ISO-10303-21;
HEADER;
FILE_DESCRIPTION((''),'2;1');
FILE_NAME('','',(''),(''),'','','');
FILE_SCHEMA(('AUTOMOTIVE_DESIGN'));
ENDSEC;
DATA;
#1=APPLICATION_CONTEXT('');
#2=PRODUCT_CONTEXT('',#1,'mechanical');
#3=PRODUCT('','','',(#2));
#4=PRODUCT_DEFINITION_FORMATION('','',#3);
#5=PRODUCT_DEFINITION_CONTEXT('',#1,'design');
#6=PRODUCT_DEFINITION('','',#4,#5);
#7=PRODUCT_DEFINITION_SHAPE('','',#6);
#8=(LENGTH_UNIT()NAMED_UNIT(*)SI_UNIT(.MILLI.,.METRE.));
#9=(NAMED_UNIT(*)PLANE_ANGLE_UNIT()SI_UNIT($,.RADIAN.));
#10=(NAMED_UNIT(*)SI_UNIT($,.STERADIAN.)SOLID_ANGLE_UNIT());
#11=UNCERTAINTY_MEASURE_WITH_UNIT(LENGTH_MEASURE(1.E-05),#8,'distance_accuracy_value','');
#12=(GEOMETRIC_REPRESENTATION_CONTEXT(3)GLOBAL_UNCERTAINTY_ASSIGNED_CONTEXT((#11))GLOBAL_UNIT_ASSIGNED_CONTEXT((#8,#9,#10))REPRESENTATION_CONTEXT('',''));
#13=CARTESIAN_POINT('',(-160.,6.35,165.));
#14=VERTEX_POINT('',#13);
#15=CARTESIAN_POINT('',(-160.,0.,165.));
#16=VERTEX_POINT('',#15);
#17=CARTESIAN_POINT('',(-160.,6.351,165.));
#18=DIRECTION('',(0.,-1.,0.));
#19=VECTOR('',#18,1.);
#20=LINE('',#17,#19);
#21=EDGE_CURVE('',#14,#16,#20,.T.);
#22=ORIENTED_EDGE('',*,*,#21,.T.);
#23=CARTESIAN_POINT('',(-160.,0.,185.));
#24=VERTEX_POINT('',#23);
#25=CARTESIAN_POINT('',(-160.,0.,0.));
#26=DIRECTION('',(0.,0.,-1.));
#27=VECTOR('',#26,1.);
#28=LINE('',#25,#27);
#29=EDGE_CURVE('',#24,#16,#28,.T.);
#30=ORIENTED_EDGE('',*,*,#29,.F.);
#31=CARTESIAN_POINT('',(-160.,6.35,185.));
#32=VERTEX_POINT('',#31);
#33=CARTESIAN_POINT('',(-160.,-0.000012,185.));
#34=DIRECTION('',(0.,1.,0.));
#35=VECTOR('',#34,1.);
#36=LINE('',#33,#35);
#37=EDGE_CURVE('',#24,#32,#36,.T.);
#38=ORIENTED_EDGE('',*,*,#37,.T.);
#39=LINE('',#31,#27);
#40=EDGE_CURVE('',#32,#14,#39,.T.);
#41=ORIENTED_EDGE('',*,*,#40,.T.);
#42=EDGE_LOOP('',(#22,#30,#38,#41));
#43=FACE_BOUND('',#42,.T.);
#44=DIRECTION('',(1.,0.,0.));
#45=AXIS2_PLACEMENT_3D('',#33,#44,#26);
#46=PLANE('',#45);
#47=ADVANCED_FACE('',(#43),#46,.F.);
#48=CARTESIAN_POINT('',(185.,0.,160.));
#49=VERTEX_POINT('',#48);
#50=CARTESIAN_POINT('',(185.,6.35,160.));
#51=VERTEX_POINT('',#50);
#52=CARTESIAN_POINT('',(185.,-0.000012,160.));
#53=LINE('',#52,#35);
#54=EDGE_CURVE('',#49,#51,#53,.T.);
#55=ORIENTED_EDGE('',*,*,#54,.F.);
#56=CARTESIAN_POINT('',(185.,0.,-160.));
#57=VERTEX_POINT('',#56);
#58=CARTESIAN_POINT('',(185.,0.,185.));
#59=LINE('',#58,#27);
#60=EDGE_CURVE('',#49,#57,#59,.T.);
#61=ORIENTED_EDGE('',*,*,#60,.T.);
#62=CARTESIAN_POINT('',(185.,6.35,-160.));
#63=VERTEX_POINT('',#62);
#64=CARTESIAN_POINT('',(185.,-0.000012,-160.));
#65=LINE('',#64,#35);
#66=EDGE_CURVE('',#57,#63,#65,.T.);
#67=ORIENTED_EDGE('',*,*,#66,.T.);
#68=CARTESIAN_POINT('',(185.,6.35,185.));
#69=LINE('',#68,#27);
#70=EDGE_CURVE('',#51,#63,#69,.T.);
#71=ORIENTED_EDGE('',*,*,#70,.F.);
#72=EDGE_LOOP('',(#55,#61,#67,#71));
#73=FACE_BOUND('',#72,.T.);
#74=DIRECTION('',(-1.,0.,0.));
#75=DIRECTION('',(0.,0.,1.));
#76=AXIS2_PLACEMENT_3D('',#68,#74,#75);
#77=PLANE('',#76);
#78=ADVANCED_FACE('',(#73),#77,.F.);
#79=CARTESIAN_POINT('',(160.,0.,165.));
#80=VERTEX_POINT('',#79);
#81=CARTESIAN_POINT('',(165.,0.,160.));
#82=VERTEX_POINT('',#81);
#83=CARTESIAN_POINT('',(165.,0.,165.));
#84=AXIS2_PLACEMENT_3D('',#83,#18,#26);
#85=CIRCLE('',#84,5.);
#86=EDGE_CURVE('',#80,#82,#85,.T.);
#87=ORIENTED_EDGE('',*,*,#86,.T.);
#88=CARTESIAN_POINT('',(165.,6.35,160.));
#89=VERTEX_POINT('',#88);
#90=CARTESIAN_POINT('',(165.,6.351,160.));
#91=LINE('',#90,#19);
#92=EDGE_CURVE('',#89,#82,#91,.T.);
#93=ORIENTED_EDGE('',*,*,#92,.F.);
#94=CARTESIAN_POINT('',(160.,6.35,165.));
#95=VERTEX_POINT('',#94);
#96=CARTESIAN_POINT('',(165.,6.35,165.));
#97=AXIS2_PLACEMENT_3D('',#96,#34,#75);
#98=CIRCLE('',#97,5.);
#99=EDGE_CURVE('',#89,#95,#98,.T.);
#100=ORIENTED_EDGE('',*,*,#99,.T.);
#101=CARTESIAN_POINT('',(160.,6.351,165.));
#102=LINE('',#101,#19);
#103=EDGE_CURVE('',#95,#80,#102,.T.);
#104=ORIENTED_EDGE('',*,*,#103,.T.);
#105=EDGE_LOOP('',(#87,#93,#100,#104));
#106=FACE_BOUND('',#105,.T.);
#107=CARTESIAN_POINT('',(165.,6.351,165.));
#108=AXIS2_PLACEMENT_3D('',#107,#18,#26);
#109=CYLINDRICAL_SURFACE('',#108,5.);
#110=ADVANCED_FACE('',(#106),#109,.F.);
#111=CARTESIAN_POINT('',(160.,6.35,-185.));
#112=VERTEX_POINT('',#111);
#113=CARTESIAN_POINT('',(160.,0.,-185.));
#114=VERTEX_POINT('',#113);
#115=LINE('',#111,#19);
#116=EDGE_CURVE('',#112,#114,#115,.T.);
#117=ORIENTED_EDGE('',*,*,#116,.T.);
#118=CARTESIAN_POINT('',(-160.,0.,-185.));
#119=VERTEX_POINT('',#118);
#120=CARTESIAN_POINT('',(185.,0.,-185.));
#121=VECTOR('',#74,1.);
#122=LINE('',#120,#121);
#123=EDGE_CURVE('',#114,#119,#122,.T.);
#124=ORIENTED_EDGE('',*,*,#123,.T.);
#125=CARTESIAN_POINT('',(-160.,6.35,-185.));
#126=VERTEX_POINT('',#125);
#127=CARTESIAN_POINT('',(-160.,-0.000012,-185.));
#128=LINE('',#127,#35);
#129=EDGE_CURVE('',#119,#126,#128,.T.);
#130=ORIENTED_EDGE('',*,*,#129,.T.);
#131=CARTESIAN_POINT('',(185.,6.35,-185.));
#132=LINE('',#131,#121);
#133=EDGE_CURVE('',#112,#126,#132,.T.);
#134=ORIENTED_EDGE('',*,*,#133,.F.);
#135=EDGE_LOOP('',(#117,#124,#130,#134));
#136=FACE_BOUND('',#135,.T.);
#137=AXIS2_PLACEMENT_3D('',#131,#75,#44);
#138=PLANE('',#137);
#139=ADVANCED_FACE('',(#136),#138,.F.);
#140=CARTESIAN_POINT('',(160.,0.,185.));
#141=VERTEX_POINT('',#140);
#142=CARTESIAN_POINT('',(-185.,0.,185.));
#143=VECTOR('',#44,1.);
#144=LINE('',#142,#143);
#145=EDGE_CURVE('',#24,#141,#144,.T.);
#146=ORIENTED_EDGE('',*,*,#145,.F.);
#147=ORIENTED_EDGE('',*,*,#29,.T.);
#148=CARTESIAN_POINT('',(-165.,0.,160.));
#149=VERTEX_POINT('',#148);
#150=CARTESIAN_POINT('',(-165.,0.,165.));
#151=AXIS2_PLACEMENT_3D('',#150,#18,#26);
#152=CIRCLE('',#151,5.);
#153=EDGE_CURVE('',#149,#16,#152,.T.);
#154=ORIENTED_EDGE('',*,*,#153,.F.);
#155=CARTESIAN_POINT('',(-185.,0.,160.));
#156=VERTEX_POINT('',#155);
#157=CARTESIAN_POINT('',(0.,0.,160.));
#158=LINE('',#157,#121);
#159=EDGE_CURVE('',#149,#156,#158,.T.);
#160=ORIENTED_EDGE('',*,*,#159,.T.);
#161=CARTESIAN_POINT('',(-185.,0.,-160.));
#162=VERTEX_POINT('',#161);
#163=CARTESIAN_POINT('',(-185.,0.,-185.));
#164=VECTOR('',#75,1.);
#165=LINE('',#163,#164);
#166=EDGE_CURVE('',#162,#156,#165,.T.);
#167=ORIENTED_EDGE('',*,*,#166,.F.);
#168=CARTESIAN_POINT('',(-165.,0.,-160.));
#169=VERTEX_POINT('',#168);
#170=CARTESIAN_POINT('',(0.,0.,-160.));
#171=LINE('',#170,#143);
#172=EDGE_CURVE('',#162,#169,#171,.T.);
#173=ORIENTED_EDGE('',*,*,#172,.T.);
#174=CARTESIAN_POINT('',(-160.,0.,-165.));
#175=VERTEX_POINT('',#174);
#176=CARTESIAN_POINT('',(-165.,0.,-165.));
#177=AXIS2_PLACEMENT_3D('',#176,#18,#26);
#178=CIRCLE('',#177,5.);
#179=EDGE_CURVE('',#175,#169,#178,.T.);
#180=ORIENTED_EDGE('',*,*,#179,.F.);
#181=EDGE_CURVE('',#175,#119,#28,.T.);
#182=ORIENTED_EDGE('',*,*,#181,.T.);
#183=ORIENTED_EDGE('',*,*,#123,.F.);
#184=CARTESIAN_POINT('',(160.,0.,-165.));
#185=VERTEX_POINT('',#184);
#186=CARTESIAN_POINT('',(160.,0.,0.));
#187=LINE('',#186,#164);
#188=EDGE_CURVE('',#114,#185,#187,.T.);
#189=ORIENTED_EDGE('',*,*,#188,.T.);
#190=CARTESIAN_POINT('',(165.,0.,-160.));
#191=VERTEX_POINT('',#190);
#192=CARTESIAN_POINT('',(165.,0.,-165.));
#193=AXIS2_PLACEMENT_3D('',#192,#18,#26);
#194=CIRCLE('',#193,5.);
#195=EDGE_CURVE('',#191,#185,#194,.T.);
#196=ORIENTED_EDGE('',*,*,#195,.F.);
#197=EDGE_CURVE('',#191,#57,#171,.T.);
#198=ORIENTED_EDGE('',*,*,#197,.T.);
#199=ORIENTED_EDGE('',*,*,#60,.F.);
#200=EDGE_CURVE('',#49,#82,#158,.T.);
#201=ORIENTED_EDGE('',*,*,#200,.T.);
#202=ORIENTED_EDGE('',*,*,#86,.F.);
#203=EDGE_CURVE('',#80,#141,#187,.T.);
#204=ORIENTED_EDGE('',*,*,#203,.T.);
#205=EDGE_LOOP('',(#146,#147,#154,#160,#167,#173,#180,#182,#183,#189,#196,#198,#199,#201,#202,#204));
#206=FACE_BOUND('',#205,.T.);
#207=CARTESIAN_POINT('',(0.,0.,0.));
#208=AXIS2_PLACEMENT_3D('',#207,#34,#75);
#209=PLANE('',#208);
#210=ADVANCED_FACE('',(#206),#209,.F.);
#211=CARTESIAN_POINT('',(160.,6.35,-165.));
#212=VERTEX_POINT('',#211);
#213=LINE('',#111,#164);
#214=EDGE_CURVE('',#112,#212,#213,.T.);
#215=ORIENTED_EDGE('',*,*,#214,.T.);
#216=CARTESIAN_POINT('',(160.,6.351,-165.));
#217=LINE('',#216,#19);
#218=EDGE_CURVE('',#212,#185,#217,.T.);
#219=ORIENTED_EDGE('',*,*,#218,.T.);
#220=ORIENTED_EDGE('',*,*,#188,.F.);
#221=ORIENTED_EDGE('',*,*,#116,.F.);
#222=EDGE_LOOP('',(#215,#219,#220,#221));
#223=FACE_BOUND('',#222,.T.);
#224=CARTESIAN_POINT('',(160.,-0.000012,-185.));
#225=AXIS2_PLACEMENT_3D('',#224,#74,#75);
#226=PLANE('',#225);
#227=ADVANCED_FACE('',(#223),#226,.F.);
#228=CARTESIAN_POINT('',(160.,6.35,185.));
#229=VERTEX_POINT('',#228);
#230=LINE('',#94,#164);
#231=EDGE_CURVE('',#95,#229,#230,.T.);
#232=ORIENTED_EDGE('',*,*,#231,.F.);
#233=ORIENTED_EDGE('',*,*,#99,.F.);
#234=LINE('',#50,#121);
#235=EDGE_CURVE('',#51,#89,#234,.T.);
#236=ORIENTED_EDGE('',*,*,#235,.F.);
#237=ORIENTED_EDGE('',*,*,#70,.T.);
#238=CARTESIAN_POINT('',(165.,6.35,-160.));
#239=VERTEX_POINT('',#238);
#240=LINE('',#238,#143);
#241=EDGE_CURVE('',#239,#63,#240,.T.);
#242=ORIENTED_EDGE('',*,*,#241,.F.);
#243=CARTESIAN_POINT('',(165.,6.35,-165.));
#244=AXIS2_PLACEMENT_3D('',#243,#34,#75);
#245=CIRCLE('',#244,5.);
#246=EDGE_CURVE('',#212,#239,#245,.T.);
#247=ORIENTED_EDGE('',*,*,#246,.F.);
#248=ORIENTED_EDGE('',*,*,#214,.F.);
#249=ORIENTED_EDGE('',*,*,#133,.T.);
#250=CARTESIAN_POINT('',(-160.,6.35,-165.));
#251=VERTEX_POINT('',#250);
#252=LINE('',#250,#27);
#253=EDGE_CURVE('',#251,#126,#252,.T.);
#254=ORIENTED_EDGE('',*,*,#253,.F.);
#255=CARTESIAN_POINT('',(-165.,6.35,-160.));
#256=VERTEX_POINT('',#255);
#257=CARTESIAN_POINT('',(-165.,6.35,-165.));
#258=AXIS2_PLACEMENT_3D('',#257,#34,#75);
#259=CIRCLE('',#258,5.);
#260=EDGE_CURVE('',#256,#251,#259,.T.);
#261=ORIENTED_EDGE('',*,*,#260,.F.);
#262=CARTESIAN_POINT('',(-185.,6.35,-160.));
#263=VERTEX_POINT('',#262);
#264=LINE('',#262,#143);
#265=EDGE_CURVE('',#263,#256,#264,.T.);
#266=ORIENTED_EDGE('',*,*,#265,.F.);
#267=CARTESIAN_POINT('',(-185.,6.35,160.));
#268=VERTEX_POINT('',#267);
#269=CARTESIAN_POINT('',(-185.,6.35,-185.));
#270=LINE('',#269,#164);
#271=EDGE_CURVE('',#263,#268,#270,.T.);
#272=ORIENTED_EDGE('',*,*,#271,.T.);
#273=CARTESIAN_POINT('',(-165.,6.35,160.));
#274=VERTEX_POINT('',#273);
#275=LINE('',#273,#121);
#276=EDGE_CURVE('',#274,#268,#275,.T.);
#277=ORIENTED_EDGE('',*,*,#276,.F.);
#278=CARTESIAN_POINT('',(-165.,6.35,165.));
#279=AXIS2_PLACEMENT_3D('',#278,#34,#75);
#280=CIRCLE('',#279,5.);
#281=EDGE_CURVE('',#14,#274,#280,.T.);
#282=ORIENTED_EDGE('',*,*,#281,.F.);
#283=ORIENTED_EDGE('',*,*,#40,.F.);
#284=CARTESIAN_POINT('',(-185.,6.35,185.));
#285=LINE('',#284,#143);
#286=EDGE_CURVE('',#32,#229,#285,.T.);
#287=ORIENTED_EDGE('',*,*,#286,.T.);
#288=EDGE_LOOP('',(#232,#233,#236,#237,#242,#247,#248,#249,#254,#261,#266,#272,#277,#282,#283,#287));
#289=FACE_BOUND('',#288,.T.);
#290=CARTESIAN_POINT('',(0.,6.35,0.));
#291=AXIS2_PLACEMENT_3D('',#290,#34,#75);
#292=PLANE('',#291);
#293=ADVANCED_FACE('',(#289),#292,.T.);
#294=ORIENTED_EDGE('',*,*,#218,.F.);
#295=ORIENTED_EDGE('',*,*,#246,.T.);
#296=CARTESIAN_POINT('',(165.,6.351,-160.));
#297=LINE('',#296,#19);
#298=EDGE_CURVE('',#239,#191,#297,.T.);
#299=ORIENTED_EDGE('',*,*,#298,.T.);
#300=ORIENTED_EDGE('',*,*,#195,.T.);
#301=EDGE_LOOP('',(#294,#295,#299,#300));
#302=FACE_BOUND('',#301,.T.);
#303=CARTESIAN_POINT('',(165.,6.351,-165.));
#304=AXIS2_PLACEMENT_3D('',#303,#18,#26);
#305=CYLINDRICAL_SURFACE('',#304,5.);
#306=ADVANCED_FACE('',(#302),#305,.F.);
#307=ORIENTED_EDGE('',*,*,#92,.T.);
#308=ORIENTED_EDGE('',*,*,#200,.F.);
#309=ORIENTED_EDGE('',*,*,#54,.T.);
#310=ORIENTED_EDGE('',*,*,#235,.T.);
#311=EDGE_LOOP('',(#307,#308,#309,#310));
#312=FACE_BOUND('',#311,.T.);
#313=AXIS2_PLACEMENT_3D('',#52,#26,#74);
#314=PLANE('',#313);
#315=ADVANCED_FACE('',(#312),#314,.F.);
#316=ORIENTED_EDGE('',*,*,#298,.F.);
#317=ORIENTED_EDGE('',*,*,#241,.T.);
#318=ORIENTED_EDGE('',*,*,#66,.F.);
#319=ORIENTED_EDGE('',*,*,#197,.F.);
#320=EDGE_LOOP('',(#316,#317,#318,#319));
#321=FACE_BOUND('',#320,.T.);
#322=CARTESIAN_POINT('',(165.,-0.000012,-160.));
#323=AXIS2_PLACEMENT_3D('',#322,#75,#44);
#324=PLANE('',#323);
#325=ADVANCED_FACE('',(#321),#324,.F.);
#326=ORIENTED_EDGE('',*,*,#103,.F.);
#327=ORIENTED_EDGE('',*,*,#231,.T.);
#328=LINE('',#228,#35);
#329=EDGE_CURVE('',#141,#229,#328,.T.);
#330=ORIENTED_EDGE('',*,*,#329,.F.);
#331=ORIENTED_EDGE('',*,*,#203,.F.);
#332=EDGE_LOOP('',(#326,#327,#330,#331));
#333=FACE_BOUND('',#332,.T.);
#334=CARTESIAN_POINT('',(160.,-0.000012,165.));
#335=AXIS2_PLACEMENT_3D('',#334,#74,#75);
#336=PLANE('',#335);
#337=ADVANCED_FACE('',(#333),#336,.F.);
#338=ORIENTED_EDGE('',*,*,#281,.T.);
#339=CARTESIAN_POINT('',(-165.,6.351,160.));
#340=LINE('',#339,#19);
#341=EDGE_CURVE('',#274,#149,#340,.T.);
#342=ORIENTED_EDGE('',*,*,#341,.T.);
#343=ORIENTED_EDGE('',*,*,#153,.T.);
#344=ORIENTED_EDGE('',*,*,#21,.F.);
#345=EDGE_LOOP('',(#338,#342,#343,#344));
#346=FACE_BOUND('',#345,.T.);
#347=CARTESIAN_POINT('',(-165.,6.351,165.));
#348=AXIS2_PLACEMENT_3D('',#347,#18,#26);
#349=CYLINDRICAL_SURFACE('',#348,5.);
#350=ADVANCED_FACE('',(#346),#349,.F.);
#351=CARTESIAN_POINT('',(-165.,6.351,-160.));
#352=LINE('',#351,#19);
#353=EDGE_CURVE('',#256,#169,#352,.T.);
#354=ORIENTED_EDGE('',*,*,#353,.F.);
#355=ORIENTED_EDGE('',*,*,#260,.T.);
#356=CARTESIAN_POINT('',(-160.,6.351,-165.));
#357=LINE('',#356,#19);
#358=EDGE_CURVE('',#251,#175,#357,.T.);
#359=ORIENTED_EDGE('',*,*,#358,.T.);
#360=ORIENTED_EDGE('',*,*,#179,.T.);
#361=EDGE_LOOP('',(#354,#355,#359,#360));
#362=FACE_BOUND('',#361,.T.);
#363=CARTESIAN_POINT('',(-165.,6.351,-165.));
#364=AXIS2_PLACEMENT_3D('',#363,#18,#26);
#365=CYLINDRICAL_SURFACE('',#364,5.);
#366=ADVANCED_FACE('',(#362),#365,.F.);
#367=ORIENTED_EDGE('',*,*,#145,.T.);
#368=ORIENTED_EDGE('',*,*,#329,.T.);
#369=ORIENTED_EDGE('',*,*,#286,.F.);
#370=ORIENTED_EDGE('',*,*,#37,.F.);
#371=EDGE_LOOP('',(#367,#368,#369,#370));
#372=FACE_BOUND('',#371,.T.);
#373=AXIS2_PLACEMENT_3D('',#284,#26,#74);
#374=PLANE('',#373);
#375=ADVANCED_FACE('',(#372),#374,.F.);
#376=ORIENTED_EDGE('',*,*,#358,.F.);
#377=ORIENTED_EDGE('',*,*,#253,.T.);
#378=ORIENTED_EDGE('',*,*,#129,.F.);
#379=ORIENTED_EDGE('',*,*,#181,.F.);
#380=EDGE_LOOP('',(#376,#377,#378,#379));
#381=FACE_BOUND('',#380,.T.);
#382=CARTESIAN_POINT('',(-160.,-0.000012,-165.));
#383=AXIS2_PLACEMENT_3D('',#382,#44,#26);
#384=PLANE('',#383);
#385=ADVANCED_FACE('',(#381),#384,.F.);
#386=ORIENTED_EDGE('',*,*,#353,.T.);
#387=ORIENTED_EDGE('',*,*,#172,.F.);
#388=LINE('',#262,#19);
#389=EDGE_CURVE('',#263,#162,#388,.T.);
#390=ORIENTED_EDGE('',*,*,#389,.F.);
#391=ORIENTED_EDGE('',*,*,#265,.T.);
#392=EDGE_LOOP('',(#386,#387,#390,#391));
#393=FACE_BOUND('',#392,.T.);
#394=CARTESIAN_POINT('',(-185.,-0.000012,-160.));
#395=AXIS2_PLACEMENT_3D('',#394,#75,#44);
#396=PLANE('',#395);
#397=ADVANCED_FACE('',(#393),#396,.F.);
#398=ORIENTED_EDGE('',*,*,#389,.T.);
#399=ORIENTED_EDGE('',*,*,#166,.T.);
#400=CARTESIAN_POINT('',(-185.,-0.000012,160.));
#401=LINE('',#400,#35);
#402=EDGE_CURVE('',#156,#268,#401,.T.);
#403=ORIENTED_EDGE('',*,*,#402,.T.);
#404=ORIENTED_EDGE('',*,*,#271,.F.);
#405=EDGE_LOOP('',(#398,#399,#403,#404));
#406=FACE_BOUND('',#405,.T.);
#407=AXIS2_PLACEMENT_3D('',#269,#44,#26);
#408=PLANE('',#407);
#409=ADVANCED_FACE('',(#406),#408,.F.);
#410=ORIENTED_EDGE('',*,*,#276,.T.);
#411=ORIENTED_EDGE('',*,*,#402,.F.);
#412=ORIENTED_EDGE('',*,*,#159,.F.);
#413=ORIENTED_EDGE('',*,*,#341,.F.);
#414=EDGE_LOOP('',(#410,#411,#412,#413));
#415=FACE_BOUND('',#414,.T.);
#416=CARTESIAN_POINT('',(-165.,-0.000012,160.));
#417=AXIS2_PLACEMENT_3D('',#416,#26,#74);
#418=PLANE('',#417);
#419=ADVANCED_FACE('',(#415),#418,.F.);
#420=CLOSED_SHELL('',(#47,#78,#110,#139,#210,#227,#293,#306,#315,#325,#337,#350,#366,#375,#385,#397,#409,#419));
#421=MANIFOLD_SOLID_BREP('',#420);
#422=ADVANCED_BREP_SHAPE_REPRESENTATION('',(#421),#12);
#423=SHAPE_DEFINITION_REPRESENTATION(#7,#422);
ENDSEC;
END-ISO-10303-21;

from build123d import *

# Parameters (mm, degrees)
SKETCH1_W                      = 370
SKETCH1_H                      = 370
BOSS_EXTRUDE1_DEPTH            = 6.35
CUT_EXTRUDE2_REACH             = 263.707
CUT_EXTRUDE2_DIRECTION_2_DEPTH = 262.706558


with BuildPart() as part:
    # Sketch1 → Boss-Extrude1 (new body)
    with BuildSketch(Plane(origin=(0, 0, 0), x_dir=(1, 0, 0), z_dir=(0, 1, 0))):
        Rectangle(SKETCH1_W, SKETCH1_H)
    extrude(amount=BOSS_EXTRUDE1_DEPTH)

    # Sketch2 → Cut-Extrude2 (cut, up to next)
    with BuildSketch(Plane(origin=(0, 0, 0), x_dir=(1, 0, 0), z_dir=(0, 1, 0)), mode=Mode.PRIVATE) as cut_extrude2_sk1:
        with BuildLine():
            Line((-185, 185), (-185, 160))
            Line((-185, 160), (-165, 160))
            ThreePointArc((-165, 160), (-161.464466094, 161.464466094), (-160, 165))
            Line((-160, 165), (-160, 185))
            Line((-160, 185), (-185, 185))
        make_face()
    cut_extrude2_tool1 = extrude(cut_extrude2_sk1.sketch, amount=CUT_EXTRUDE2_REACH, mode=Mode.PRIVATE) & part.part
    # Sketch2 → Cut-Extrude2 (cut, up to next)
    with BuildSketch(Plane(origin=(0, 0, 0), x_dir=(1, 0, 0), z_dir=(0, 1, 0)), mode=Mode.PRIVATE) as cut_extrude2_sk2:
        with BuildLine():
            Line((-185, -185), (-160, -185))
            Line((-160, -185), (-160, -165))
            ThreePointArc((-160, -165), (-161.464466094, -161.464466094), (-165, -160))
            Line((-165, -160), (-185, -160))
            Line((-185, -160), (-185, -185))
        make_face()
    cut_extrude2_tool2 = extrude(cut_extrude2_sk2.sketch, amount=CUT_EXTRUDE2_REACH, mode=Mode.PRIVATE) & part.part
    # Sketch2 → Cut-Extrude2 (cut, up to next)
    with BuildSketch(Plane(origin=(0, 0, 0), x_dir=(1, 0, 0), z_dir=(0, 1, 0)), mode=Mode.PRIVATE) as cut_extrude2_sk3:
        with BuildLine():
            Line((185, 185), (160, 185))
            Line((160, 185), (160, 165))
            ThreePointArc((160, 165), (161.464466094, 161.464466094), (165, 160))
            Line((165, 160), (185, 160))
            Line((185, 160), (185, 185))
        make_face()
    cut_extrude2_tool3 = extrude(cut_extrude2_sk3.sketch, amount=CUT_EXTRUDE2_REACH, mode=Mode.PRIVATE) & part.part
    # Sketch2 → Cut-Extrude2 (cut, up to next)
    with BuildSketch(Plane(origin=(0, 0, 0), x_dir=(1, 0, 0), z_dir=(0, 1, 0)), mode=Mode.PRIVATE) as cut_extrude2_sk4:
        with BuildLine():
            Line((185, -185), (185, -160))
            Line((185, -160), (165, -160))
            ThreePointArc((165, -160), (161.464466094, -161.464466094), (160, -165))
            Line((160, -165), (160, -185))
            Line((160, -185), (185, -185))
        make_face()
    cut_extrude2_tool4 = extrude(cut_extrude2_sk4.sketch, amount=CUT_EXTRUDE2_REACH, mode=Mode.PRIVATE) & part.part
    add(cut_extrude2_tool1.solids().sort_by_distance((-172.59856, 0, -172.59856))[0], mode=Mode.SUBTRACT)
    add(cut_extrude2_tool2.solids().sort_by_distance((-172.59856, 0, 172.59856))[0], mode=Mode.SUBTRACT)
    add(cut_extrude2_tool3.solids().sort_by_distance((172.59856, 0, -172.59856))[0], mode=Mode.SUBTRACT)
    add(cut_extrude2_tool4.solids().sort_by_distance((172.59856, 0, 172.59856))[0], mode=Mode.SUBTRACT)

    # Sketch2 → Cut-Extrude2 direction 2 (cut)
    with BuildSketch(Plane(origin=(0, 0, 0), x_dir=(1, 0, 0), z_dir=(0, 1, 0))):
        with BuildLine():
            Line((-185, 185), (-185, 160))
            Line((-185, 160), (-165, 160))
            ThreePointArc((-165, 160), (-161.464466094, 161.464466094), (-160, 165))
            Line((-160, 165), (-160, 185))
            Line((-160, 185), (-185, 185))
        make_face()
        with BuildLine():
            Line((-185, -185), (-160, -185))
            Line((-160, -185), (-160, -165))
            ThreePointArc((-160, -165), (-161.464466094, -161.464466094), (-165, -160))
            Line((-165, -160), (-185, -160))
            Line((-185, -160), (-185, -185))
        make_face()
        with BuildLine():
            Line((185, 185), (160, 185))
            Line((160, 185), (160, 165))
            ThreePointArc((160, 165), (161.464466094, 161.464466094), (165, 160))
            Line((165, 160), (185, 160))
            Line((185, 160), (185, 185))
        make_face()
        with BuildLine():
            Line((185, -185), (185, -160))
            Line((185, -160), (165, -160))
            ThreePointArc((165, -160), (161.464466094, -161.464466094), (160, -165))
            Line((160, -165), (160, -185))
            Line((160, -185), (185, -185))
        make_face()
    extrude(amount=-CUT_EXTRUDE2_DIRECTION_2_DEPTH, mode=Mode.SUBTRACT)


solid = part.part
